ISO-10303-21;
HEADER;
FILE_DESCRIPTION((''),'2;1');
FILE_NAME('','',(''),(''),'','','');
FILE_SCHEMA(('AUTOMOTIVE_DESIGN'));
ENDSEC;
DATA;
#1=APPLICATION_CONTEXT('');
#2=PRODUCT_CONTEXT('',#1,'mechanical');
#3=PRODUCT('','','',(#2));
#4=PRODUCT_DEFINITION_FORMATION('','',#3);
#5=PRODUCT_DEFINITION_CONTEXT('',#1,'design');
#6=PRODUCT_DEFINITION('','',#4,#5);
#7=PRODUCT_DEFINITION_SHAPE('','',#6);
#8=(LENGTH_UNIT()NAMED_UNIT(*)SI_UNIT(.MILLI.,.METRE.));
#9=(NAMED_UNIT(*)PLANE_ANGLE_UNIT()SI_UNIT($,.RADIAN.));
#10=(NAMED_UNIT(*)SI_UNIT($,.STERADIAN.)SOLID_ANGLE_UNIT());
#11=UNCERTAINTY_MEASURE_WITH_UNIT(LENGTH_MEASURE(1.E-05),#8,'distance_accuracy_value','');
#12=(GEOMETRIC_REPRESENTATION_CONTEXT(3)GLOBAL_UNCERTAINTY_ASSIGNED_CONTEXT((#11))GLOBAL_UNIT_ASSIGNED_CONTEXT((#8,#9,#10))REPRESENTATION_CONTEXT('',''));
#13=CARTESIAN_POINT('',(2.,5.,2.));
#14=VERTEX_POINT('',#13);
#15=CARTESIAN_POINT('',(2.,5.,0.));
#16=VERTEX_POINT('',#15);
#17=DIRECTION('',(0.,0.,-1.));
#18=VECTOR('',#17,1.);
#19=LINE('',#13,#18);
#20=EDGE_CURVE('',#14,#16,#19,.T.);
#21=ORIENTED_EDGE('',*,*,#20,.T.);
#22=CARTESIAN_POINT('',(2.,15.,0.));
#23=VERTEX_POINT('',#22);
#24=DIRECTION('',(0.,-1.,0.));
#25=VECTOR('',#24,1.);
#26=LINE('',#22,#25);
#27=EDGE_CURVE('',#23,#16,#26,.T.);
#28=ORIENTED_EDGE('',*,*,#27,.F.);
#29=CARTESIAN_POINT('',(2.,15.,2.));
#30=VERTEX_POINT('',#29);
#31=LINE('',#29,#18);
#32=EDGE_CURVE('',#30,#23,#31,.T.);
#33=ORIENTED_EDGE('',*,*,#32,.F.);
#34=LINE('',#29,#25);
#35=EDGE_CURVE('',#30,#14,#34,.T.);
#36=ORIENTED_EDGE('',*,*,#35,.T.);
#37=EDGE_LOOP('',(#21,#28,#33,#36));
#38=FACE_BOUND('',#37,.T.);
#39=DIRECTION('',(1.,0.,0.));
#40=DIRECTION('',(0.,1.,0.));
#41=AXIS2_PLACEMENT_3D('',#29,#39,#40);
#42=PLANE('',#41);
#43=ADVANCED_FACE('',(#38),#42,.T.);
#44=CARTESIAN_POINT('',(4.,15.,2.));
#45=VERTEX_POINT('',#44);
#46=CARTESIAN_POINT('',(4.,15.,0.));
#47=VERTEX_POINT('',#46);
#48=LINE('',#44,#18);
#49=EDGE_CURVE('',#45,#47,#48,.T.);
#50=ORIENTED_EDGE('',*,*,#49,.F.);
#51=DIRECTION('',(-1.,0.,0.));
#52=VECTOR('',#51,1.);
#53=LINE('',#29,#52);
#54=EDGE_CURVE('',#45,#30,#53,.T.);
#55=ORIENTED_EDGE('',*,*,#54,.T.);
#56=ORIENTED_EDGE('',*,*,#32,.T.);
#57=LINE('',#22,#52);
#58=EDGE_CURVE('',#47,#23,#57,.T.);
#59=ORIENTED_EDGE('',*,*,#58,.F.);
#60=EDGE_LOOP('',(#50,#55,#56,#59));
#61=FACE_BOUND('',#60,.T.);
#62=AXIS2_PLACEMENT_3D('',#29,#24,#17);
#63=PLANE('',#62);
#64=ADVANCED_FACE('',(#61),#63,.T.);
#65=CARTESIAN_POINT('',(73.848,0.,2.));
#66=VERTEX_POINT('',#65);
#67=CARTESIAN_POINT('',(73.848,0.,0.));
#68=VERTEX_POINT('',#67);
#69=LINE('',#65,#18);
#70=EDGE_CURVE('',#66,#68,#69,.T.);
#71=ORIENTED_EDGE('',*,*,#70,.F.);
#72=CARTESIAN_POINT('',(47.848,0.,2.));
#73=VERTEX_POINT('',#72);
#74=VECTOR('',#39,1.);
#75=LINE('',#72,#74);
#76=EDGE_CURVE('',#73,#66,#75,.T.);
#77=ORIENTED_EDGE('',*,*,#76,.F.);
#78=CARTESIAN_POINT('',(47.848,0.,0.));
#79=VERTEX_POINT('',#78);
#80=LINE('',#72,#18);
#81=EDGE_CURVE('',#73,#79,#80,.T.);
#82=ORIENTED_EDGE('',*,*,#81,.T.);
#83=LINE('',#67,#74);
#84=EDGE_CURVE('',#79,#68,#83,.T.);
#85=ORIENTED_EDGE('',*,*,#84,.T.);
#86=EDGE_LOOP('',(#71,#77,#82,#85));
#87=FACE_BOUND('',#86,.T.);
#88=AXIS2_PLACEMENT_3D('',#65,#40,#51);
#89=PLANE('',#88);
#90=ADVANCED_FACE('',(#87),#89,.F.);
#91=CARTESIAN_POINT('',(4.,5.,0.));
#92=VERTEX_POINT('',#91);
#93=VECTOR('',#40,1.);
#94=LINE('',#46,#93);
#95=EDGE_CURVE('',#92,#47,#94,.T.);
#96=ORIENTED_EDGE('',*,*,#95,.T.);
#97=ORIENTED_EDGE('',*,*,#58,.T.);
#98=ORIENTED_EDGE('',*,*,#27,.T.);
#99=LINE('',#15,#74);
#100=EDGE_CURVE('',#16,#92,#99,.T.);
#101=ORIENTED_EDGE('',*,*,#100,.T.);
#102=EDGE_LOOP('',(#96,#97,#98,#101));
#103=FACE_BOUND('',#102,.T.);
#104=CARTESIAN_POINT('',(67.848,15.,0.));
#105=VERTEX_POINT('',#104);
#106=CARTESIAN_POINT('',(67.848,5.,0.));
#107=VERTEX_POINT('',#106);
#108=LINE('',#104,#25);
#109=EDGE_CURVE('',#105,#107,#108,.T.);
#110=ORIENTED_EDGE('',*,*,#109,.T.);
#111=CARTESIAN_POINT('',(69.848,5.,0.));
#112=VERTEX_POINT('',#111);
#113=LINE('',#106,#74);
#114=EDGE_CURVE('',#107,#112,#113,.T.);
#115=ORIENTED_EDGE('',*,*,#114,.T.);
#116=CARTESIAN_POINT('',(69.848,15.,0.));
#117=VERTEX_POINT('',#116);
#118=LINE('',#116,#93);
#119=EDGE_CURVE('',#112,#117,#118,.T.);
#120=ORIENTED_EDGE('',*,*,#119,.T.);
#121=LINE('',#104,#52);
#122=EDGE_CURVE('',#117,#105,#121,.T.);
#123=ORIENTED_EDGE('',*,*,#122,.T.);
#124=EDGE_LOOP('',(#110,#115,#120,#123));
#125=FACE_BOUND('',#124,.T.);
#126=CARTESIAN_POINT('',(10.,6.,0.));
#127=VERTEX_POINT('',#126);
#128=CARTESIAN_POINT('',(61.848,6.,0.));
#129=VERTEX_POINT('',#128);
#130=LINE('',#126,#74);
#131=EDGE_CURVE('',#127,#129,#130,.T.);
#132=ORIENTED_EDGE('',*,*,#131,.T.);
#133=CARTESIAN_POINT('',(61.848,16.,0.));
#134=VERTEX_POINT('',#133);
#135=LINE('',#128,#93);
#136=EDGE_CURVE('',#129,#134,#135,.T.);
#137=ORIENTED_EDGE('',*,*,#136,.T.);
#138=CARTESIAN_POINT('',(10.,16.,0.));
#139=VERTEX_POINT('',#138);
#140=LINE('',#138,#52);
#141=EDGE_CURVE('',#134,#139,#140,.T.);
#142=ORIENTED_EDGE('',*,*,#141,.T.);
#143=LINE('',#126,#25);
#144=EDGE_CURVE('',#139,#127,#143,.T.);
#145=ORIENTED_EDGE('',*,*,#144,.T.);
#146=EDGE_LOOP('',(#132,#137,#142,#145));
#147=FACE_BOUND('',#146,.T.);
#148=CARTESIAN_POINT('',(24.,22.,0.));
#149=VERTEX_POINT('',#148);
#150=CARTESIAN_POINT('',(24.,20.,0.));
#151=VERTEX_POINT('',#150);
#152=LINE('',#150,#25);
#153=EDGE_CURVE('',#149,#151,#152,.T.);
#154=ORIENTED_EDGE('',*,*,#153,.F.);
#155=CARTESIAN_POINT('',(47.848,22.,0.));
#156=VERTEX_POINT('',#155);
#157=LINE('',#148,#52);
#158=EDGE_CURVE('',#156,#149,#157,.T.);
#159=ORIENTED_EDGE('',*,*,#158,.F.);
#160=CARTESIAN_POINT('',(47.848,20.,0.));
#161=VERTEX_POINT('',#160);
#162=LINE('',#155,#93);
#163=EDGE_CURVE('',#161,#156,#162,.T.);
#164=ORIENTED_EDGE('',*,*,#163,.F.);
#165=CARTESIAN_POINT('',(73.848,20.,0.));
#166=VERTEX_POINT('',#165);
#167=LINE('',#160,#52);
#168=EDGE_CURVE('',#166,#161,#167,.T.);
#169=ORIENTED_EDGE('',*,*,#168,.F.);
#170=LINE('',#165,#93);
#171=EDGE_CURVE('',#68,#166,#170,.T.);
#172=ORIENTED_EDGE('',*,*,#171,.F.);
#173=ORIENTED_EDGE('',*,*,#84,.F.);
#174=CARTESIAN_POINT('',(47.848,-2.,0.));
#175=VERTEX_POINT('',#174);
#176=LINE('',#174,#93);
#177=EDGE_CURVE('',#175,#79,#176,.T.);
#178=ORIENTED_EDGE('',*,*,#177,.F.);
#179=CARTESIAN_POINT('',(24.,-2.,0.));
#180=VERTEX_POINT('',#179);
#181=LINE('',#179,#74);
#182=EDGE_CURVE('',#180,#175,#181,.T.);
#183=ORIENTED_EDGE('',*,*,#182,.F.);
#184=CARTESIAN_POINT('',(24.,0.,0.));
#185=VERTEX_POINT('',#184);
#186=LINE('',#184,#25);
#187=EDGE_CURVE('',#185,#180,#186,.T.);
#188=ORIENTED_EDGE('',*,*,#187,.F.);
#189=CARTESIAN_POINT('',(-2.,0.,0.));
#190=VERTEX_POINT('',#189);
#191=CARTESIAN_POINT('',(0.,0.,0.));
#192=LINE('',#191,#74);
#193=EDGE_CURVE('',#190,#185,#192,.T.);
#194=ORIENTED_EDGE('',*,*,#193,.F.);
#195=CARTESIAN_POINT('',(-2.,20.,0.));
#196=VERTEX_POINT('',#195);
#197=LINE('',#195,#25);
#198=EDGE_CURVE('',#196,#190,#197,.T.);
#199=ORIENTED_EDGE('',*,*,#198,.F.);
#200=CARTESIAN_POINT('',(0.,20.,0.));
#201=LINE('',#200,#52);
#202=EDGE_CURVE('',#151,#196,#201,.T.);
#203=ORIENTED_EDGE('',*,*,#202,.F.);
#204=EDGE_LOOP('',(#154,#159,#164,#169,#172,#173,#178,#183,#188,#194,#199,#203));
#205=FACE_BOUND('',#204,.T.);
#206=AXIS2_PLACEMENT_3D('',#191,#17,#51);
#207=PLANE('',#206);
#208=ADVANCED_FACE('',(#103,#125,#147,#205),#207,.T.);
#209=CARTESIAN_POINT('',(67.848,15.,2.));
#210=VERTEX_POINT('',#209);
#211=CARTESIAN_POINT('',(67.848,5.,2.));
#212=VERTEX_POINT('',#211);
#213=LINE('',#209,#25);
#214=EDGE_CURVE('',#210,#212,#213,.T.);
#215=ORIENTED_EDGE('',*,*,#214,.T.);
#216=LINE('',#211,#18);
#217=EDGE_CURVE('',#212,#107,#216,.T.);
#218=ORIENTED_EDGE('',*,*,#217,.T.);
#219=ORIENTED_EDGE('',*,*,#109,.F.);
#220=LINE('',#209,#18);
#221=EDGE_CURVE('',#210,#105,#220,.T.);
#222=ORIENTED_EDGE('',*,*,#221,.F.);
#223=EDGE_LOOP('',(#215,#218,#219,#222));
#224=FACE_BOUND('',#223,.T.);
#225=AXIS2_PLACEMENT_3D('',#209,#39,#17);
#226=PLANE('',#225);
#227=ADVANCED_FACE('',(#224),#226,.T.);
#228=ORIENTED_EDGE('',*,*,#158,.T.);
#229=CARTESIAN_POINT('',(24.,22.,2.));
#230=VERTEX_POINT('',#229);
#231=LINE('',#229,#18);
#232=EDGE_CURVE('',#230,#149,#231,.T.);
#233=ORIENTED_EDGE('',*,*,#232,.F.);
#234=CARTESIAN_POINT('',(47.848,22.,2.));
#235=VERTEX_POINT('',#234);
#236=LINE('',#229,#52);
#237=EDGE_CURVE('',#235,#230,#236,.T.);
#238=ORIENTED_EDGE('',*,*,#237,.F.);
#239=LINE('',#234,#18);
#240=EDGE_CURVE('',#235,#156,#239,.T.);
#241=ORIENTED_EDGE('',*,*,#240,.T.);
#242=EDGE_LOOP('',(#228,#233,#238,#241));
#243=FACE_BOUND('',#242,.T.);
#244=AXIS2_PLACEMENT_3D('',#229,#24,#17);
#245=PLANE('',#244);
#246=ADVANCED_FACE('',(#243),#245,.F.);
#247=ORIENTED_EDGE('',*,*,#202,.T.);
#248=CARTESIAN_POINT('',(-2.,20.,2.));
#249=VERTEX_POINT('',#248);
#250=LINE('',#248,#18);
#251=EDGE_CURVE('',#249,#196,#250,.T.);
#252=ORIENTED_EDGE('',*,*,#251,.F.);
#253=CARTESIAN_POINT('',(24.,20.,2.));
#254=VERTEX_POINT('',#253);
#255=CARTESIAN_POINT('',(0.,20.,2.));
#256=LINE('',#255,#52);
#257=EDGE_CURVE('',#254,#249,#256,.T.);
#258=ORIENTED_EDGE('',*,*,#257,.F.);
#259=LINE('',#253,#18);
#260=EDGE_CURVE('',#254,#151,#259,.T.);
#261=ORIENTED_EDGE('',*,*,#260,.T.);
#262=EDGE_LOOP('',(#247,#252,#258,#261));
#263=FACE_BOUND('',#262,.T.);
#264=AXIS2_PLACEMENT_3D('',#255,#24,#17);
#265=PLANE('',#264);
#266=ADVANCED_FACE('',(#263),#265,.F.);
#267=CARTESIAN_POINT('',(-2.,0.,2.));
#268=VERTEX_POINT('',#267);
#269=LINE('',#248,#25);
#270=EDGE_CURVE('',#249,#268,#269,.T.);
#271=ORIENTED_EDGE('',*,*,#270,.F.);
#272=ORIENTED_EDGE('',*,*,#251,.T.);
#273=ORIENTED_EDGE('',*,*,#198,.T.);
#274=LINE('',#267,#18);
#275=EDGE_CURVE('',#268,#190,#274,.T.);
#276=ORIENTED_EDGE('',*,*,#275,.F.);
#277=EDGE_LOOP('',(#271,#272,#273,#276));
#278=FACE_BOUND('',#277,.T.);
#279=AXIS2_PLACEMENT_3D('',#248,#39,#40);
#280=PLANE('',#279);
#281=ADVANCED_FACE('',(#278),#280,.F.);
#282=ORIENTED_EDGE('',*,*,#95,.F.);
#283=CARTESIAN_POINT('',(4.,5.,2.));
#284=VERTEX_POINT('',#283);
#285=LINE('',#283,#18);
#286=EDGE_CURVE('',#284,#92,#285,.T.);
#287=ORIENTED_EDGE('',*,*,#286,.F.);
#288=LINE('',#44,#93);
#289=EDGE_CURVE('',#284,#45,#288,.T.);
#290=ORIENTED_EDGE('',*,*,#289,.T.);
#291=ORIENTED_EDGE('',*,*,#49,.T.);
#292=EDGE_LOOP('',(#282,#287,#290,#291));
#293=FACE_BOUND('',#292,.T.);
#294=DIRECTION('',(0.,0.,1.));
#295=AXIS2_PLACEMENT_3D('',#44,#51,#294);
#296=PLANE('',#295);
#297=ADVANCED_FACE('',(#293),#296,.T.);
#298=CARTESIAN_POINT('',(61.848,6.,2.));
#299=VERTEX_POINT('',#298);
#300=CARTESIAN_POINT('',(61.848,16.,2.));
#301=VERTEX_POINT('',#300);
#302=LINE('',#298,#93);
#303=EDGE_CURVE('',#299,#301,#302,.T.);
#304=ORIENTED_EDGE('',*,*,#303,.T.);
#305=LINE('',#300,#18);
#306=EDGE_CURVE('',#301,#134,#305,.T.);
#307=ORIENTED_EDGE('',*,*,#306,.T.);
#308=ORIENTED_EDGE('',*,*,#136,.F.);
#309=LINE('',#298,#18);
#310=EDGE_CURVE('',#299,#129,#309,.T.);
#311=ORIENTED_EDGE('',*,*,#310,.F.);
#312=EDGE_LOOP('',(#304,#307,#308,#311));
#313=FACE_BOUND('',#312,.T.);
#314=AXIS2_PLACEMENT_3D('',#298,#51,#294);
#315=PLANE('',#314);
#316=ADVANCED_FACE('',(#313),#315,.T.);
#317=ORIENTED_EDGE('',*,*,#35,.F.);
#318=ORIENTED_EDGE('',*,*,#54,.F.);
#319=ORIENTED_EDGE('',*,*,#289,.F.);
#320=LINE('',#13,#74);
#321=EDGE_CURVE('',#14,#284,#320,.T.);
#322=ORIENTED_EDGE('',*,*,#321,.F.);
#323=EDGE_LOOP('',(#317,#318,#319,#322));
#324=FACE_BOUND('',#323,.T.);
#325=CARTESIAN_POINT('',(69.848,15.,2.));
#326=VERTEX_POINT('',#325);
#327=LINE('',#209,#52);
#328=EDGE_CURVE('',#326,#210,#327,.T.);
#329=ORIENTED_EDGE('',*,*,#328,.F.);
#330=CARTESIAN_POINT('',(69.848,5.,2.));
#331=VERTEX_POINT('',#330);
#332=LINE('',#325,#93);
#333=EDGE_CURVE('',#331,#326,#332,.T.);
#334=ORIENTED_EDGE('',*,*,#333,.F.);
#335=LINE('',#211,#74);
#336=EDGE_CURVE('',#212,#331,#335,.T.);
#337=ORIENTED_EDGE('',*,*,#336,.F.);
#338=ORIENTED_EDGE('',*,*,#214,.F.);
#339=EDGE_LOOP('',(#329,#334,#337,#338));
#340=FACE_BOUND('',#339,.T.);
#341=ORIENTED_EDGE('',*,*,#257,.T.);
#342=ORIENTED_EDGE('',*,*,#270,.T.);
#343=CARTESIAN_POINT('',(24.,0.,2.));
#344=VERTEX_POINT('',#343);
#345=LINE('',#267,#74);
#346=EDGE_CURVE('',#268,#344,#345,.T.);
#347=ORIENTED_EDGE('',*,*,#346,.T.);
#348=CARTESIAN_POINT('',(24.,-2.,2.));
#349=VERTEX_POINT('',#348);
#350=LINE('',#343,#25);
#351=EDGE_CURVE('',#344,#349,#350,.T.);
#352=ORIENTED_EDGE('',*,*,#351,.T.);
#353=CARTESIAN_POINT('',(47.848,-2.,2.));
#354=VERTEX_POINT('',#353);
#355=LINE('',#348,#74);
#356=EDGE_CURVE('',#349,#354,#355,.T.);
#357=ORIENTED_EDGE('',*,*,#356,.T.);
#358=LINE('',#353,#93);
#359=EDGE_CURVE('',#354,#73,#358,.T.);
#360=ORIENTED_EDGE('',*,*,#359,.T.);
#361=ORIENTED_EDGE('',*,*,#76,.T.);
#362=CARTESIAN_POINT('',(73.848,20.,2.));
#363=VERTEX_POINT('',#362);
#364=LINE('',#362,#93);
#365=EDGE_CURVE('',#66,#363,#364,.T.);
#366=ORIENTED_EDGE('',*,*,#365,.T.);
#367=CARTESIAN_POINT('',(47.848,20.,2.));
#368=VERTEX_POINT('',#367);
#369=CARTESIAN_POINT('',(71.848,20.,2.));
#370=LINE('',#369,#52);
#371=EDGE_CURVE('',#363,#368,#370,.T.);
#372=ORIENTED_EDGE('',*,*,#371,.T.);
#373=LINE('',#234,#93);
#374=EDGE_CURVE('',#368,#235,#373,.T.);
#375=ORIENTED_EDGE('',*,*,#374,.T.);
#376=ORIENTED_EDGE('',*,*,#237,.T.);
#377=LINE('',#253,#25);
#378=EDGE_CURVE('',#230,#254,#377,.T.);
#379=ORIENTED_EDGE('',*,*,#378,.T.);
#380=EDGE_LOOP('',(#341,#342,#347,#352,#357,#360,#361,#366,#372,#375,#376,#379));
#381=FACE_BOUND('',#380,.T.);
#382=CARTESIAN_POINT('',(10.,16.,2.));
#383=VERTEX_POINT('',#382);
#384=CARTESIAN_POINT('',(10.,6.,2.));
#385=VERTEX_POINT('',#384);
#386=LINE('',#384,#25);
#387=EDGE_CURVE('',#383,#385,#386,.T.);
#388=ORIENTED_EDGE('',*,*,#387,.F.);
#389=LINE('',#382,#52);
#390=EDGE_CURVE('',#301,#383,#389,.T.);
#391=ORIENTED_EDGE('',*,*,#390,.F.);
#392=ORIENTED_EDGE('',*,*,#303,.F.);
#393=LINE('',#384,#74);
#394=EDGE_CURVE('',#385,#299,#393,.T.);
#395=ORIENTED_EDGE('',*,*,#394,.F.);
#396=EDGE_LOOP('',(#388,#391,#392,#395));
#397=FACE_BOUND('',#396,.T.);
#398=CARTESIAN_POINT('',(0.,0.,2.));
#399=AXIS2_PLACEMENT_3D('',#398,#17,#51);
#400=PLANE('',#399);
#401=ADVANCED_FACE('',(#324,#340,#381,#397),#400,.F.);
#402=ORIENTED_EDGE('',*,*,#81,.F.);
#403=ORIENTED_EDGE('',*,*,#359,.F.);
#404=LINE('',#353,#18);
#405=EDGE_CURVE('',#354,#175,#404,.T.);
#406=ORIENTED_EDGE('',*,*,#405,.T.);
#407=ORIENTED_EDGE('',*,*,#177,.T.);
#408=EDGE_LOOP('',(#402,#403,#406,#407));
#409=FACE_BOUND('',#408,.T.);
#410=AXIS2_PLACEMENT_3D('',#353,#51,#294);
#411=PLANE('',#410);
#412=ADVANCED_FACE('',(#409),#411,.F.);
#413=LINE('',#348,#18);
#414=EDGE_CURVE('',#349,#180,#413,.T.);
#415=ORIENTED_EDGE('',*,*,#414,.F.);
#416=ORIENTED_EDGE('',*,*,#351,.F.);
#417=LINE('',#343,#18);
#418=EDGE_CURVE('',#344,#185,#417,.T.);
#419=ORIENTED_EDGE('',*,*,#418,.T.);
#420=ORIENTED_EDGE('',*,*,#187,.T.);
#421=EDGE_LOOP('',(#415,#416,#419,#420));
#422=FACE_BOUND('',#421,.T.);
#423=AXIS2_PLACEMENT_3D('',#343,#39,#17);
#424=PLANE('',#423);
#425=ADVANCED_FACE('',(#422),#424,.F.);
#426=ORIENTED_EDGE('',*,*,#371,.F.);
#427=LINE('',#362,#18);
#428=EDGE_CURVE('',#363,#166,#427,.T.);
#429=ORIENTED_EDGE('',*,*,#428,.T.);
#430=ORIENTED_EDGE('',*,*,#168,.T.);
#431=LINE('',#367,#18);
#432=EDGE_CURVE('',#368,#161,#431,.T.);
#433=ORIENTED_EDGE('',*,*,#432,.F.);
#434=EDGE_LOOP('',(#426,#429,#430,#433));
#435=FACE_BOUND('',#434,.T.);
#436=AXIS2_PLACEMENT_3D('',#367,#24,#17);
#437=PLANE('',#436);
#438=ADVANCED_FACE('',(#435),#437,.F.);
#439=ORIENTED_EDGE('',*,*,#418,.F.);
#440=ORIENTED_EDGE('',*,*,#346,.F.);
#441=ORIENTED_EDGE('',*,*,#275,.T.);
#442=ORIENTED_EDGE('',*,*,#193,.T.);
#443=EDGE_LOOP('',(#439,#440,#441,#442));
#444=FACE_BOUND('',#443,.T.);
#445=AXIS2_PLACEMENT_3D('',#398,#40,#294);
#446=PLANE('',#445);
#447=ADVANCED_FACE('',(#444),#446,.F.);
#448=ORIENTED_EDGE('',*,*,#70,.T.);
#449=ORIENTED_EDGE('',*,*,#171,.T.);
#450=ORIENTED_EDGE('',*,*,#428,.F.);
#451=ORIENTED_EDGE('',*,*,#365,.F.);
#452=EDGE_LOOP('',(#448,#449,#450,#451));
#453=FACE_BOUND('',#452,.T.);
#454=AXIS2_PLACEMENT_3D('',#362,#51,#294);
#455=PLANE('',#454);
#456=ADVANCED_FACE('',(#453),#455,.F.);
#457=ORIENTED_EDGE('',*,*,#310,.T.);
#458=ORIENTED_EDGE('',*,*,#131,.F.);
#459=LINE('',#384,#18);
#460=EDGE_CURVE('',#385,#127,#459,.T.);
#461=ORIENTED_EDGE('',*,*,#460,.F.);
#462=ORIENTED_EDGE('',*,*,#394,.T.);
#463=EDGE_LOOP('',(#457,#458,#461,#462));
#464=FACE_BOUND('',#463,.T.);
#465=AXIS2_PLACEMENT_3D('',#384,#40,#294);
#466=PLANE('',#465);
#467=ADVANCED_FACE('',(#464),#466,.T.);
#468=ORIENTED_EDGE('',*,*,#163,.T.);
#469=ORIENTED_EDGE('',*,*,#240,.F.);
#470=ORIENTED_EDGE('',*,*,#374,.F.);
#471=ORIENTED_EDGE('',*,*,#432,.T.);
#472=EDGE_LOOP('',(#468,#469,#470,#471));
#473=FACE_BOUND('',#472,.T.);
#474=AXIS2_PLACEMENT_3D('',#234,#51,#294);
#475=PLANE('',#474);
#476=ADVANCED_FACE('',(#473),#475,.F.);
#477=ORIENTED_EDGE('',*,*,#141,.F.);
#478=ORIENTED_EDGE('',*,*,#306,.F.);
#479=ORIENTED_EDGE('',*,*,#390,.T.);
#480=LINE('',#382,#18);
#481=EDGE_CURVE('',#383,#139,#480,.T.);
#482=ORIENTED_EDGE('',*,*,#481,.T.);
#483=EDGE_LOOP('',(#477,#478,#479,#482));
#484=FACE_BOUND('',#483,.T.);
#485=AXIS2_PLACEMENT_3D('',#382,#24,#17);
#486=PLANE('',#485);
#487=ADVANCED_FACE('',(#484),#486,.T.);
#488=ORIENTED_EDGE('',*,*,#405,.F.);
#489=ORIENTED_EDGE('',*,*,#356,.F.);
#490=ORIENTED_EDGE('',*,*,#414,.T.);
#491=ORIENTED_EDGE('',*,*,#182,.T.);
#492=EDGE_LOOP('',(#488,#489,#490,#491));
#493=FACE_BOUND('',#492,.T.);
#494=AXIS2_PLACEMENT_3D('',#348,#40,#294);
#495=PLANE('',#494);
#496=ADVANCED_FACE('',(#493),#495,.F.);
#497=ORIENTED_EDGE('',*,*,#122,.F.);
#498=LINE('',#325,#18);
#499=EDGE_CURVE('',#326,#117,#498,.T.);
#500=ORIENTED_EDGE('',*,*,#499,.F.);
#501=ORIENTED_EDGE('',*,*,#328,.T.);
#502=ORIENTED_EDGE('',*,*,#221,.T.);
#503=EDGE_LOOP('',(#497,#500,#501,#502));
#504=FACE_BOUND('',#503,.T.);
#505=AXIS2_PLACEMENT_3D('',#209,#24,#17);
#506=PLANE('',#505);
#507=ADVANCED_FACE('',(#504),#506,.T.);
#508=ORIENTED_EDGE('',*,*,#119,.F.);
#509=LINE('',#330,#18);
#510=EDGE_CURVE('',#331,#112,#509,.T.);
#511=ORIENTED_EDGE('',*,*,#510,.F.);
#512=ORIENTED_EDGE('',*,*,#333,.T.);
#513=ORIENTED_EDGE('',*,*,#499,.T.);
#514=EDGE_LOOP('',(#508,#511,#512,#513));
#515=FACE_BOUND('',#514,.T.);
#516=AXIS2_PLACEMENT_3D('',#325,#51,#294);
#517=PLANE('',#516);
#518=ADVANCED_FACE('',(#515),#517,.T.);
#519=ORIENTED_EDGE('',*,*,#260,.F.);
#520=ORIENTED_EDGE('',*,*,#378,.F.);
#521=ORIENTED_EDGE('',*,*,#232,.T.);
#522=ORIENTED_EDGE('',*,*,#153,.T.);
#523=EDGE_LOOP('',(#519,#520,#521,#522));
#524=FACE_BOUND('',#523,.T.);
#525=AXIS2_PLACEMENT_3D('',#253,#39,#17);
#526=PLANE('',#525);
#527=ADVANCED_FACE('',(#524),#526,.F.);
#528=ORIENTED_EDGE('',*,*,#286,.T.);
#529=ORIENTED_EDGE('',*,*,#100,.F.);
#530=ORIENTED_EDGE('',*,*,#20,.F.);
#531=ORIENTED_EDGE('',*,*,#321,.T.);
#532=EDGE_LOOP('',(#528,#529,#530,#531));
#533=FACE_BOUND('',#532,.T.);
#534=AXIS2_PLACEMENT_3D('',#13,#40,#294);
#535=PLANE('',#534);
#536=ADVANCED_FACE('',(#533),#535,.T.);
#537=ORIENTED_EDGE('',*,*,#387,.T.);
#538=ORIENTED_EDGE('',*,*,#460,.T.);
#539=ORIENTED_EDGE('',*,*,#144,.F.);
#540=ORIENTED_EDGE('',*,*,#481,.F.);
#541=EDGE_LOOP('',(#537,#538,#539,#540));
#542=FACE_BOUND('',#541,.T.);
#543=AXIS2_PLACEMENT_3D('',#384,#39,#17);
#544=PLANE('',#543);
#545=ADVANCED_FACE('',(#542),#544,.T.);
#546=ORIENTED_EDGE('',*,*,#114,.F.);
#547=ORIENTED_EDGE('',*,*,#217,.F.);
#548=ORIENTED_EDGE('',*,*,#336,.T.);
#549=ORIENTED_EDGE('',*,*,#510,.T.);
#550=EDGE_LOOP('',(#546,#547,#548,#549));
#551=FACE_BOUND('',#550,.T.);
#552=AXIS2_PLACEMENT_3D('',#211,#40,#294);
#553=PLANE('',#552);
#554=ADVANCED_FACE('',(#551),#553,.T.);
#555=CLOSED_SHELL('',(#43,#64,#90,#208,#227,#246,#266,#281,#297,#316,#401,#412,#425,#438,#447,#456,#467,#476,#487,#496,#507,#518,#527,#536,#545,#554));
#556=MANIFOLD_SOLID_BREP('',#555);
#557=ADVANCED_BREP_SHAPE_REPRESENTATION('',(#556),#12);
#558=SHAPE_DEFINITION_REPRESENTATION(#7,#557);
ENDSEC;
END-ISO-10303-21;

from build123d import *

# Parameters (mm, degrees)
SKETCH1_W           = 51.848
SKETCH1_H           = 10
SKETCH1_W_2         = 2
BOSS_EXTRUDE1_DEPTH = 2


with BuildPart() as part:
    # Sketch1 → Boss-Extrude1 (new body)
    with BuildSketch(Plane.XY):
        Polygon((0, 0), (24, 0), (24, -2), (47.848, -2), (47.848, 0), (71.848, 0), (73.848, 0), (73.848, 20), (71.848, 20), (47.848, 20), (47.848, 22), (24, 22), (24, 20), (0, 20), (-2, 20), (-2, 0), align=None)
        with Locations((35.924, 11)):
            Rectangle(SKETCH1_W, SKETCH1_H, mode=Mode.SUBTRACT)
        with Locations((3, 10)):
            Rectangle(SKETCH1_W_2, SKETCH1_H, mode=Mode.SUBTRACT)
        with Locations((68.848, 10)):
            Rectangle(SKETCH1_W_2, SKETCH1_H, mode=Mode.SUBTRACT)
    extrude(amount=BOSS_EXTRUDE1_DEPTH)


solid = part.part
